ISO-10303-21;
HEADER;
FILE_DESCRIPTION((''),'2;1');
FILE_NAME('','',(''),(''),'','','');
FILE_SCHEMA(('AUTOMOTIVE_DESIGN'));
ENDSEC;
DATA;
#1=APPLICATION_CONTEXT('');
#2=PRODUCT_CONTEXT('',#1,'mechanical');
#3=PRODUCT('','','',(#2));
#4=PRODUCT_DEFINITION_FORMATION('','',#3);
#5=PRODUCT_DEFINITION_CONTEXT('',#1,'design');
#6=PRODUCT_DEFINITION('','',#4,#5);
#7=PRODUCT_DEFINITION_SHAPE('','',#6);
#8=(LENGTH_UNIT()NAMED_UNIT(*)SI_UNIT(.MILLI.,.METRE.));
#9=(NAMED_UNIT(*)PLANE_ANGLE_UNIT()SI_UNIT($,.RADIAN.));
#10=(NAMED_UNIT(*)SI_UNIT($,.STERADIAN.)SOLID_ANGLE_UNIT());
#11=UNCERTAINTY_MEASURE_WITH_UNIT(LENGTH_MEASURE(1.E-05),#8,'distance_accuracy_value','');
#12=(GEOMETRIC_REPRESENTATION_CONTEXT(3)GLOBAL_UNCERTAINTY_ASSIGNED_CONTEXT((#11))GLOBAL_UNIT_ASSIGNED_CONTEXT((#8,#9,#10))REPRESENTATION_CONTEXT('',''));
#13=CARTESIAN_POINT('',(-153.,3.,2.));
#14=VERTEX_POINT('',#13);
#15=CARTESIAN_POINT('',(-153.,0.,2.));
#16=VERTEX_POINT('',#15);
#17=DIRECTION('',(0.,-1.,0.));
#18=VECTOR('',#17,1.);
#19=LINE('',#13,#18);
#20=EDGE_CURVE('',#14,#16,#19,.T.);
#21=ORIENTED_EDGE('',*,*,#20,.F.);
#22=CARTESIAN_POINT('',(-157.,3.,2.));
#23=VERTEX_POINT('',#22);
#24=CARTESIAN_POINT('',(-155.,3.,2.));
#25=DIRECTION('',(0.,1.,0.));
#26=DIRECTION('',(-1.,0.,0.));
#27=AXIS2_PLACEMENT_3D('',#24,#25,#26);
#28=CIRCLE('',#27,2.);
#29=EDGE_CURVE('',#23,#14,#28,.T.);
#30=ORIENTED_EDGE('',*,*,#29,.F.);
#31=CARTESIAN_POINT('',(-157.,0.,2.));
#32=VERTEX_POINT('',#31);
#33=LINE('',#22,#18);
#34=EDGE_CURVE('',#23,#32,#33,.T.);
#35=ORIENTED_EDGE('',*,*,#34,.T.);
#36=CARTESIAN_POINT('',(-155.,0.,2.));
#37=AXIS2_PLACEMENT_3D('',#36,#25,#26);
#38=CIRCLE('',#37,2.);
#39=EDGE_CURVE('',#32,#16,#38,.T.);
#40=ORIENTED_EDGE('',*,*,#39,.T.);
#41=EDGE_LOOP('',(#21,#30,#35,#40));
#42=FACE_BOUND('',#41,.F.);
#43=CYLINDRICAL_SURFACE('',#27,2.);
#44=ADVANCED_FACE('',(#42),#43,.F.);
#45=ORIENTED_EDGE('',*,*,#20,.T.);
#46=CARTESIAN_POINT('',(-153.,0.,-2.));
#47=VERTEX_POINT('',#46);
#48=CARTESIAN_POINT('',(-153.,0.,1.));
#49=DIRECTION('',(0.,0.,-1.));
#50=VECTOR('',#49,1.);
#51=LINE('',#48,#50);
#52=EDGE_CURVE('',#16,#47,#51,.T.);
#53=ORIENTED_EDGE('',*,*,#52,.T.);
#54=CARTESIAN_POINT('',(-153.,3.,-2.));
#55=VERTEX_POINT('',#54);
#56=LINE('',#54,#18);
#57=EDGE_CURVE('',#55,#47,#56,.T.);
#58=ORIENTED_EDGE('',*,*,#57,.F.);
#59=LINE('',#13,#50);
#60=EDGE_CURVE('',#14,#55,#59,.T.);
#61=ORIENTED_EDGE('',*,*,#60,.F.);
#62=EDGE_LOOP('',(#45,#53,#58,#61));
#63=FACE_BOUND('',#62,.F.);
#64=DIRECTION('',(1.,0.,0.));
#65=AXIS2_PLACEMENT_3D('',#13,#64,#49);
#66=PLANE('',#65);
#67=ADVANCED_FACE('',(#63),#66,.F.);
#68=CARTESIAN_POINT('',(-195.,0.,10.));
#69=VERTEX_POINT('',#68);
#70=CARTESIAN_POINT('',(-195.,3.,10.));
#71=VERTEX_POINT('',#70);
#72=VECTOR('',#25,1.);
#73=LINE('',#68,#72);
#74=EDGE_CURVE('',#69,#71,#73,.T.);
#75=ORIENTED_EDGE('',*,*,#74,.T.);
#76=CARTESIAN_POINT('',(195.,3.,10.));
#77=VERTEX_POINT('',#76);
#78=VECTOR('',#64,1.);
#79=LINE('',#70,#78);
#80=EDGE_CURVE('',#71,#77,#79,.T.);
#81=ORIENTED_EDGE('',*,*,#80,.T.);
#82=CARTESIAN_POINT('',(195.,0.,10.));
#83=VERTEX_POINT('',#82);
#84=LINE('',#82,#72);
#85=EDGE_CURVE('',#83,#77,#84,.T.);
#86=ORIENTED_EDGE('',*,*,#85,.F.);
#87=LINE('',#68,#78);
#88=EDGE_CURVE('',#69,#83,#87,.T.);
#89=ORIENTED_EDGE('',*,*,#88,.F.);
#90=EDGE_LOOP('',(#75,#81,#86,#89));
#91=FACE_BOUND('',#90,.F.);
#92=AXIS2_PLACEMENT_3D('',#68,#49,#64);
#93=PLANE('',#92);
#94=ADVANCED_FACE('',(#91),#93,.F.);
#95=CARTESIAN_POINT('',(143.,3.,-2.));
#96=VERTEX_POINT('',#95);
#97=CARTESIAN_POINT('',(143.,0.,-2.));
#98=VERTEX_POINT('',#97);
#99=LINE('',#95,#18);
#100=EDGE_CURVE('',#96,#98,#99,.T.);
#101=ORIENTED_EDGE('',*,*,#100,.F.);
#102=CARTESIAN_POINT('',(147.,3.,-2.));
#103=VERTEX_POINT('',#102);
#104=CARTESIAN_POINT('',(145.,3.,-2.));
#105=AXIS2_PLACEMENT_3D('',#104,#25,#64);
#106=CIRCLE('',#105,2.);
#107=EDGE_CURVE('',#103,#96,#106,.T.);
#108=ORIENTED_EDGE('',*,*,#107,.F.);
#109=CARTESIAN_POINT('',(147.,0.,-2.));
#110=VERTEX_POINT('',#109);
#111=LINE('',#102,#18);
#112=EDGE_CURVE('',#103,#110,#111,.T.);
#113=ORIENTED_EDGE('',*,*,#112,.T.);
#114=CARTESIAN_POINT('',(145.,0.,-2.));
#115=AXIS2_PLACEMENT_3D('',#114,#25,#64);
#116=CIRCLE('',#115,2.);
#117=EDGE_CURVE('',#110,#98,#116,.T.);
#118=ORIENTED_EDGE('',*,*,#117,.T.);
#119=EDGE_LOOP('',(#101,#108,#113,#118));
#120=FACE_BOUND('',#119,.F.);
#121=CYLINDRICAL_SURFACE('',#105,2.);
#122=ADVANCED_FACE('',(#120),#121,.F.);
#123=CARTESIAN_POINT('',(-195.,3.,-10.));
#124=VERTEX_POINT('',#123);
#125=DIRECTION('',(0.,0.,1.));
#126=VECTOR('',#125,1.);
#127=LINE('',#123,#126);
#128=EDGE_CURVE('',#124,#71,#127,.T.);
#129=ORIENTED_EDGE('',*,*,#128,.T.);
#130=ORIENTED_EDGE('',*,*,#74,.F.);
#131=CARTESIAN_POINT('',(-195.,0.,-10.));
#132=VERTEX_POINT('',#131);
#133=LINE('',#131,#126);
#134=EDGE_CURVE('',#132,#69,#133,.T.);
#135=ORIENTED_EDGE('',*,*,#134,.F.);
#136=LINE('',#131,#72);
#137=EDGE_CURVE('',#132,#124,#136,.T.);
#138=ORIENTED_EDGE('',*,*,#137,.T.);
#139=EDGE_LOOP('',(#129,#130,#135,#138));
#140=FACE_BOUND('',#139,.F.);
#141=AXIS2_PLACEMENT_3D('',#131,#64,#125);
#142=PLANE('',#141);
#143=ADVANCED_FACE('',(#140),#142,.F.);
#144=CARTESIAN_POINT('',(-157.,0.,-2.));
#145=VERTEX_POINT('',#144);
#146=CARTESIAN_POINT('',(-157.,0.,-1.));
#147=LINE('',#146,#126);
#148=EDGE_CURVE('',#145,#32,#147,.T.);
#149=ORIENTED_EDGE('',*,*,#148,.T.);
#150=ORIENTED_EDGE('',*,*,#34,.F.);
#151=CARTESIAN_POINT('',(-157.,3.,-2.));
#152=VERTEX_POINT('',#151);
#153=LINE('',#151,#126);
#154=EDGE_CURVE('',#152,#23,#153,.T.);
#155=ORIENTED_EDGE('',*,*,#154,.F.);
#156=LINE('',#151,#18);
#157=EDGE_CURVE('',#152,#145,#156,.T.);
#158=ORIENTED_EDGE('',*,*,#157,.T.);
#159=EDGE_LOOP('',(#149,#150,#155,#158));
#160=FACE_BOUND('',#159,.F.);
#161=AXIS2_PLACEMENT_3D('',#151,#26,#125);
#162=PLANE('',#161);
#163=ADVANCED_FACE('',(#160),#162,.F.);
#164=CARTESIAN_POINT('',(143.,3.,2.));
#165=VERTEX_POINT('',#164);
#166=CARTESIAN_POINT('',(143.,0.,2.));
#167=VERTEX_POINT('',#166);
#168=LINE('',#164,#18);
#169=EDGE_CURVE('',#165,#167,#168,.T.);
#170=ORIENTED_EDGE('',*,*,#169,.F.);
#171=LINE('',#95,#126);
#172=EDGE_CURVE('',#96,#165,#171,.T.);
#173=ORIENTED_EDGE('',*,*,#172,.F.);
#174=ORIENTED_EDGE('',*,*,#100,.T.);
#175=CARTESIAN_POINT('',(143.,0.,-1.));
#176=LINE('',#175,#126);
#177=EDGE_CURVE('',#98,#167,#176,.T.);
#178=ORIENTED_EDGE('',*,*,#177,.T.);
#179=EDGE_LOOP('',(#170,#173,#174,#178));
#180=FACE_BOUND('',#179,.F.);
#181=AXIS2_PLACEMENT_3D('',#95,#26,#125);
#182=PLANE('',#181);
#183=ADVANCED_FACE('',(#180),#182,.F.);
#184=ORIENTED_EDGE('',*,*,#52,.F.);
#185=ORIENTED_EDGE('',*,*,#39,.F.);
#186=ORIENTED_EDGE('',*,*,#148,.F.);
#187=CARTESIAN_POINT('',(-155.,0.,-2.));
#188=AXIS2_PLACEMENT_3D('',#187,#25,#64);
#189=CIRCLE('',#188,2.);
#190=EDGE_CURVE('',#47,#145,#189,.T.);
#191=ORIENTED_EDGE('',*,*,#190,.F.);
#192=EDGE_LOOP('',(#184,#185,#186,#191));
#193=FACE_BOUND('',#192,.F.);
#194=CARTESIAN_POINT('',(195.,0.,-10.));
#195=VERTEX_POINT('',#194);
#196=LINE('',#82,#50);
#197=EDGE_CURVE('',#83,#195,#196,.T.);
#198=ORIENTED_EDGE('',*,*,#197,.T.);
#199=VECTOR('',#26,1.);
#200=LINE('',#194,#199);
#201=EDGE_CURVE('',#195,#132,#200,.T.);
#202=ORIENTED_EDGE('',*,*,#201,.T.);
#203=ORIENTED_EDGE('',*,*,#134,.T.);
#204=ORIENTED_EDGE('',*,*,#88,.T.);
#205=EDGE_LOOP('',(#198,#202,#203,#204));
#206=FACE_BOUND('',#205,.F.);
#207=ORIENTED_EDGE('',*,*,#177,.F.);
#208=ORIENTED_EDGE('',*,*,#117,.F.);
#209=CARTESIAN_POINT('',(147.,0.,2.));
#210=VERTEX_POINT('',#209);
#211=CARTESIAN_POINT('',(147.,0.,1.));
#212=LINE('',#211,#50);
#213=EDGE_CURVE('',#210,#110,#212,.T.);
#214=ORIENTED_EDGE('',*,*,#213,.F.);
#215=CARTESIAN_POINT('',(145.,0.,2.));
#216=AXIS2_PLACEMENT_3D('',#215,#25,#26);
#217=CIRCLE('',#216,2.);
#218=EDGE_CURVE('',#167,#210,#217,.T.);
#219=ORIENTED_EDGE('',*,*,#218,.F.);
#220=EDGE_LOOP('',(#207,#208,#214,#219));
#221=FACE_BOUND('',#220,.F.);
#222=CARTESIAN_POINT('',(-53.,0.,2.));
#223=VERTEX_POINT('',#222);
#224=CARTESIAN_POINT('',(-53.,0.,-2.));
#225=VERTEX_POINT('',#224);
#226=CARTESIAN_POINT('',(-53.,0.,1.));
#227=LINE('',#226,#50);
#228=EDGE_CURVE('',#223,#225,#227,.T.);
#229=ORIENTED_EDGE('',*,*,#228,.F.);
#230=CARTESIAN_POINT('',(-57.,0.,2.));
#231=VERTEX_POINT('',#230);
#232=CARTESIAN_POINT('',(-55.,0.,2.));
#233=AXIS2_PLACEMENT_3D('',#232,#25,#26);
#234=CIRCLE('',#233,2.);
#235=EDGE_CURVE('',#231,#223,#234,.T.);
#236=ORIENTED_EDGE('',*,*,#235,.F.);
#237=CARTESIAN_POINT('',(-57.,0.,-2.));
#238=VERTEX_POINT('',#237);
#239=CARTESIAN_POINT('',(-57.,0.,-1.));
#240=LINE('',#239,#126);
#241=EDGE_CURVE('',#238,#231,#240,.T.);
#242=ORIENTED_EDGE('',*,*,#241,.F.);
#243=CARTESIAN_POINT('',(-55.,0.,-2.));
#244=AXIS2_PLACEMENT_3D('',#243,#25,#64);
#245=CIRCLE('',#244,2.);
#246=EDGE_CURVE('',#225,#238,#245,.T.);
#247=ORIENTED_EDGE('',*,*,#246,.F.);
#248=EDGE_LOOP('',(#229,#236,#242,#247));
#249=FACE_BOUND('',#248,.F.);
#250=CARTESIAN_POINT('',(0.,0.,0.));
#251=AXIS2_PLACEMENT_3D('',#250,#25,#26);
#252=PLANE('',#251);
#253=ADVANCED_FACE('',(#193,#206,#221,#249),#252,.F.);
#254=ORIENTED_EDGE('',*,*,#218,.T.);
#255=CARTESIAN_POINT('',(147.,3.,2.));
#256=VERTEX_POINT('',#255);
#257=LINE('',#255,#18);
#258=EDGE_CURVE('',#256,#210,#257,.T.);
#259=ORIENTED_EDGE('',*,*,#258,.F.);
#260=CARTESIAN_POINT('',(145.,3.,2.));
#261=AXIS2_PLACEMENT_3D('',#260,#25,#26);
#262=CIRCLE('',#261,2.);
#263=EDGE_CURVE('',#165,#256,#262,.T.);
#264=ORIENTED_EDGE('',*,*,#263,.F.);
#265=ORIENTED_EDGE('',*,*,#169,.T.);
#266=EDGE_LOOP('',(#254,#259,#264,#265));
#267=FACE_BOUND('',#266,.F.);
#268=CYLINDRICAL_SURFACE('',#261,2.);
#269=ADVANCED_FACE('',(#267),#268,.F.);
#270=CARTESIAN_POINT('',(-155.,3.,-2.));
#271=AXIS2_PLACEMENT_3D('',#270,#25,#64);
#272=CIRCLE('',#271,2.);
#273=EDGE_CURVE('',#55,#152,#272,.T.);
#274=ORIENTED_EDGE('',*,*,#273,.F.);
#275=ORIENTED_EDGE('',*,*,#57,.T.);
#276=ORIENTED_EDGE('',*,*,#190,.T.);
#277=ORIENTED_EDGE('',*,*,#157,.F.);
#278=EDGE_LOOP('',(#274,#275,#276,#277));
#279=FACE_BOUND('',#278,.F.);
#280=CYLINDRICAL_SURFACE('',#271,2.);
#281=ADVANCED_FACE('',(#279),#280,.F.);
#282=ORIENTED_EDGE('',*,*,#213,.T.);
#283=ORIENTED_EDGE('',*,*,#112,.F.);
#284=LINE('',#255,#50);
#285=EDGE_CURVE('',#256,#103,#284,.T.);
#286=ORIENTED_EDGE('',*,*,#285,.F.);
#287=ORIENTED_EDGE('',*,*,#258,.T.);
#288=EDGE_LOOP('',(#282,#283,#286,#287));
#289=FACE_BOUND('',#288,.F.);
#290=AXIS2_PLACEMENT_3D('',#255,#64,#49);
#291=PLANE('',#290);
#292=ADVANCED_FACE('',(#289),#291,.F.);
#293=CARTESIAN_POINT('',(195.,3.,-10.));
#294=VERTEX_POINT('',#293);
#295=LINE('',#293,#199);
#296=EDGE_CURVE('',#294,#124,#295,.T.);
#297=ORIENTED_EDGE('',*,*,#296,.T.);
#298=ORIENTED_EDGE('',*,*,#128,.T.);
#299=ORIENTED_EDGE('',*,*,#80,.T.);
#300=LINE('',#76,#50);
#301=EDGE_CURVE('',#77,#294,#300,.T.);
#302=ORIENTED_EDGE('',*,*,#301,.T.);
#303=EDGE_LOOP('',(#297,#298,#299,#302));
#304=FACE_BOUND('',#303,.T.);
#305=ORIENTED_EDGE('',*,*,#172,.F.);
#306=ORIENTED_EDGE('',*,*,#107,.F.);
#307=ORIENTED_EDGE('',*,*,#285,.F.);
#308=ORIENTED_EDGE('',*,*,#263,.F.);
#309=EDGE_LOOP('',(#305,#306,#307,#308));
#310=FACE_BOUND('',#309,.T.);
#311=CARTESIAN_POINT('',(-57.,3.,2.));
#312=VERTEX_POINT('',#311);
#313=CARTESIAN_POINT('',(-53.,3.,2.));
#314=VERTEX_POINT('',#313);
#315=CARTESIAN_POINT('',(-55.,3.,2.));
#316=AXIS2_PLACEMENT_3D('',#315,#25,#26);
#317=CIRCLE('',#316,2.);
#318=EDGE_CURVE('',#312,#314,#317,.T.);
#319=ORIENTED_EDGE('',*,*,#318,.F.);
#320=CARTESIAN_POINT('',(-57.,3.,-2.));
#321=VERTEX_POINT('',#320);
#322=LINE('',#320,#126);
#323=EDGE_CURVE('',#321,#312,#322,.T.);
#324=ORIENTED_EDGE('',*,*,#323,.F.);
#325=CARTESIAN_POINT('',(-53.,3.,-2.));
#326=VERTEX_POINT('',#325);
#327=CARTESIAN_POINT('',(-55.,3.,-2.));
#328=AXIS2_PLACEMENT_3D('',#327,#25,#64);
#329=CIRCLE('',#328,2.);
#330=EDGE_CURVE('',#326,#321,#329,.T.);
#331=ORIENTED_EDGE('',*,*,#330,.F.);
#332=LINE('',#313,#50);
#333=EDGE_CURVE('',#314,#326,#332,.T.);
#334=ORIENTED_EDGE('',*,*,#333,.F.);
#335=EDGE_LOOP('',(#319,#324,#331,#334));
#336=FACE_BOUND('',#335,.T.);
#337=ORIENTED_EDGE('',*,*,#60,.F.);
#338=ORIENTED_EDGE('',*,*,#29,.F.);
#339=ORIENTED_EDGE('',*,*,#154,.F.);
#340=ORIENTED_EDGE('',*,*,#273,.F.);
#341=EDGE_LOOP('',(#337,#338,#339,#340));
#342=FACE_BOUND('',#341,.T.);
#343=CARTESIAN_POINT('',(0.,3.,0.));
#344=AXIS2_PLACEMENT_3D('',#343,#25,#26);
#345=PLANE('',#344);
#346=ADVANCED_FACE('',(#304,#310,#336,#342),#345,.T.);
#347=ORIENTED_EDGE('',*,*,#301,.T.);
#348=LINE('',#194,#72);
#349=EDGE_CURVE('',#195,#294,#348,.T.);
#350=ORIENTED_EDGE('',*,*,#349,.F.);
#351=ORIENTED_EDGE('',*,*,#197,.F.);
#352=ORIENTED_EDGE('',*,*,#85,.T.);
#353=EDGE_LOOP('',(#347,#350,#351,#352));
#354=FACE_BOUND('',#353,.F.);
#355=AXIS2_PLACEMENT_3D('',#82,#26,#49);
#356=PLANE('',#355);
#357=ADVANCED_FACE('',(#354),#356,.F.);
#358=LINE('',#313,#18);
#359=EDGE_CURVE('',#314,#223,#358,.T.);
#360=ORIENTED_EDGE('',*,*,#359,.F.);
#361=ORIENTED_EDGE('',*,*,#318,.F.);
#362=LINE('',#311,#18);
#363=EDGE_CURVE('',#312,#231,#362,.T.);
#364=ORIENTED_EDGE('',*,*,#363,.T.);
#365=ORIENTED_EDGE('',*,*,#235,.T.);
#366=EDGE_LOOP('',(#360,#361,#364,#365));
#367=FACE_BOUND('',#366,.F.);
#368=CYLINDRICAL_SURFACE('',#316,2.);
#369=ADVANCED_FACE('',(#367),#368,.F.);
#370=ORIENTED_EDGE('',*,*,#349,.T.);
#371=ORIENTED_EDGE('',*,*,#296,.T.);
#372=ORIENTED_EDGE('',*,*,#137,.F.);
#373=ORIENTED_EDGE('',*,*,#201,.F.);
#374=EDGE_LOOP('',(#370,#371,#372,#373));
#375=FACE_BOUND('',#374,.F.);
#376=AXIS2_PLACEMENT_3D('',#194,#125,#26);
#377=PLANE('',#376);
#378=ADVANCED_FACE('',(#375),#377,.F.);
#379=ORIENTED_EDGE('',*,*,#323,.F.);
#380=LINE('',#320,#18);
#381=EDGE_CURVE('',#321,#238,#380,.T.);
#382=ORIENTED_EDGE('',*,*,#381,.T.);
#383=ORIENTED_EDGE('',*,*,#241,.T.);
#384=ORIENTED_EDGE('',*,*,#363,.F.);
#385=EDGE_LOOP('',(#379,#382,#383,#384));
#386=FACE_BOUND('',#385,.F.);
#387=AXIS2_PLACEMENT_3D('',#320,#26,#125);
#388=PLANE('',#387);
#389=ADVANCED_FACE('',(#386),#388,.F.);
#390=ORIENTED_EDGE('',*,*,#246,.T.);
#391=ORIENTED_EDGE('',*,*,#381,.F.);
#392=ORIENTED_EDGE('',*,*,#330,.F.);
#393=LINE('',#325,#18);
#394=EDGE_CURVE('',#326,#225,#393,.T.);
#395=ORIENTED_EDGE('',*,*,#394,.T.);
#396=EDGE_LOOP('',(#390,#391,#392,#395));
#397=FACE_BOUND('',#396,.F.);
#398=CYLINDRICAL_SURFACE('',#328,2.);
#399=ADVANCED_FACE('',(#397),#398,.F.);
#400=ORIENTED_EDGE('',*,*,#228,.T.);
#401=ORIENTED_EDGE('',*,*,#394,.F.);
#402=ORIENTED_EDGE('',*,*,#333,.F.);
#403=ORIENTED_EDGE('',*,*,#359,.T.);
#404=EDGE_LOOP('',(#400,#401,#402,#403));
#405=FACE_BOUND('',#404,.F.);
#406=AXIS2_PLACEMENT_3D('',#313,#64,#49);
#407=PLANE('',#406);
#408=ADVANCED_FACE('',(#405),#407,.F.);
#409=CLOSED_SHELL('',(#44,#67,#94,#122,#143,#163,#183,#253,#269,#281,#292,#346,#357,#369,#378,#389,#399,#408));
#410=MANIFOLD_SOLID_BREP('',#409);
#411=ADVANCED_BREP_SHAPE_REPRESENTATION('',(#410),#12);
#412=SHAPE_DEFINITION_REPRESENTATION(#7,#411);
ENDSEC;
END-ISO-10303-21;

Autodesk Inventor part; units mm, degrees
ref_plane "YZ Plane" through (0, 0, 0) normal (1, 0, 0) x (0, 1, 0)
ref_plane "XZ Plane" through (0, 0, 0) normal (0, 1, 0) x (-1, 0, 0)
ref_plane "XY Plane" through (0, 0, 0) normal (0, 0, 1) x (1, 0, 0)
sketch "스케치1" plane through (0, 0, 0) normal (0, 1, 0) x (-1, 0, 0)
  line L0 (195, 10) -> (-195, 10)
  line L1 (-195, 10) -> (-195, -10)
  line L2 (-195, -10) -> (195, -10)
  line L3 (195, -10) -> (195, 10)
  line L4 (195, 10) -> (-195, -10) construction
  line L5 (-195, 10) -> (195, -10) construction
  point P0 (0, 0)
  dimension "d0" = 390
  dimension "d1" = 20
extrude "돌출1" add sketch "스케치1" along normal blind 3
sketch "스케치3" plane through (0, 3, 0) normal (0, 1, 0) x (1, 0, 0)
  line L0 (-155, 2) -> (-155, -2) construction
  line L1 (-157, 2) -> (-157, -2)
  line L2 (-153, -2) -> (-153, 2)
  arc A0 (-153, 2) -> (-157, 2) centre (-155, 2) ccw
  arc A1 (-157, -2) -> (-153, -2) centre (-155, -2) ccw
  line L3 (-195, 10) -> (-195, -10) projected
  line L4 (-55, 2) -> (-55, -2) construction
  line L5 (-57, 2) -> (-57, -2)
  line L6 (-53, -2) -> (-53, 2)
  arc A2 (-53, 2) -> (-57, 2) centre (-55, 2) ccw
  arc A3 (-57, -2) -> (-53, -2) centre (-55, -2) ccw
  line L7 (145, 2) -> (145, -2) construction
  line L8 (143, 2) -> (143, -2)
  line L9 (147, -2) -> (147, 2)
  arc A4 (147, 2) -> (143, 2) centre (145, 2) ccw
  arc A5 (143, -2) -> (147, -2) centre (145, -2) ccw
  line L10 (195, -10) -> (195, 10) projected
  point P0 (0, 0)
  point P1 (-155, 0)
  point P2 (-195, 0)
  point P3 (-195, 0)
  point P4 (-55, 0)
  point P5 (145, 0)
  point P6 (195, 0)
  point P7 (195, 0)
  dimension "d14" = 4
  dimension "d15" = 4
  dimension "d16" = 0
  dimension "d17" = 40
  dimension "d18" = 4
  dimension "d19" = 4
  dimension "d20" = 100
  dimension "d21" = 0
  dimension "d22" = 4
  dimension "d23" = 4
  dimension "d24" = 0
  dimension "d25" = 50
extrude "돌출2" cut sketch "스케치3" against normal blind 10
properties part number "발받침대좌,우"
